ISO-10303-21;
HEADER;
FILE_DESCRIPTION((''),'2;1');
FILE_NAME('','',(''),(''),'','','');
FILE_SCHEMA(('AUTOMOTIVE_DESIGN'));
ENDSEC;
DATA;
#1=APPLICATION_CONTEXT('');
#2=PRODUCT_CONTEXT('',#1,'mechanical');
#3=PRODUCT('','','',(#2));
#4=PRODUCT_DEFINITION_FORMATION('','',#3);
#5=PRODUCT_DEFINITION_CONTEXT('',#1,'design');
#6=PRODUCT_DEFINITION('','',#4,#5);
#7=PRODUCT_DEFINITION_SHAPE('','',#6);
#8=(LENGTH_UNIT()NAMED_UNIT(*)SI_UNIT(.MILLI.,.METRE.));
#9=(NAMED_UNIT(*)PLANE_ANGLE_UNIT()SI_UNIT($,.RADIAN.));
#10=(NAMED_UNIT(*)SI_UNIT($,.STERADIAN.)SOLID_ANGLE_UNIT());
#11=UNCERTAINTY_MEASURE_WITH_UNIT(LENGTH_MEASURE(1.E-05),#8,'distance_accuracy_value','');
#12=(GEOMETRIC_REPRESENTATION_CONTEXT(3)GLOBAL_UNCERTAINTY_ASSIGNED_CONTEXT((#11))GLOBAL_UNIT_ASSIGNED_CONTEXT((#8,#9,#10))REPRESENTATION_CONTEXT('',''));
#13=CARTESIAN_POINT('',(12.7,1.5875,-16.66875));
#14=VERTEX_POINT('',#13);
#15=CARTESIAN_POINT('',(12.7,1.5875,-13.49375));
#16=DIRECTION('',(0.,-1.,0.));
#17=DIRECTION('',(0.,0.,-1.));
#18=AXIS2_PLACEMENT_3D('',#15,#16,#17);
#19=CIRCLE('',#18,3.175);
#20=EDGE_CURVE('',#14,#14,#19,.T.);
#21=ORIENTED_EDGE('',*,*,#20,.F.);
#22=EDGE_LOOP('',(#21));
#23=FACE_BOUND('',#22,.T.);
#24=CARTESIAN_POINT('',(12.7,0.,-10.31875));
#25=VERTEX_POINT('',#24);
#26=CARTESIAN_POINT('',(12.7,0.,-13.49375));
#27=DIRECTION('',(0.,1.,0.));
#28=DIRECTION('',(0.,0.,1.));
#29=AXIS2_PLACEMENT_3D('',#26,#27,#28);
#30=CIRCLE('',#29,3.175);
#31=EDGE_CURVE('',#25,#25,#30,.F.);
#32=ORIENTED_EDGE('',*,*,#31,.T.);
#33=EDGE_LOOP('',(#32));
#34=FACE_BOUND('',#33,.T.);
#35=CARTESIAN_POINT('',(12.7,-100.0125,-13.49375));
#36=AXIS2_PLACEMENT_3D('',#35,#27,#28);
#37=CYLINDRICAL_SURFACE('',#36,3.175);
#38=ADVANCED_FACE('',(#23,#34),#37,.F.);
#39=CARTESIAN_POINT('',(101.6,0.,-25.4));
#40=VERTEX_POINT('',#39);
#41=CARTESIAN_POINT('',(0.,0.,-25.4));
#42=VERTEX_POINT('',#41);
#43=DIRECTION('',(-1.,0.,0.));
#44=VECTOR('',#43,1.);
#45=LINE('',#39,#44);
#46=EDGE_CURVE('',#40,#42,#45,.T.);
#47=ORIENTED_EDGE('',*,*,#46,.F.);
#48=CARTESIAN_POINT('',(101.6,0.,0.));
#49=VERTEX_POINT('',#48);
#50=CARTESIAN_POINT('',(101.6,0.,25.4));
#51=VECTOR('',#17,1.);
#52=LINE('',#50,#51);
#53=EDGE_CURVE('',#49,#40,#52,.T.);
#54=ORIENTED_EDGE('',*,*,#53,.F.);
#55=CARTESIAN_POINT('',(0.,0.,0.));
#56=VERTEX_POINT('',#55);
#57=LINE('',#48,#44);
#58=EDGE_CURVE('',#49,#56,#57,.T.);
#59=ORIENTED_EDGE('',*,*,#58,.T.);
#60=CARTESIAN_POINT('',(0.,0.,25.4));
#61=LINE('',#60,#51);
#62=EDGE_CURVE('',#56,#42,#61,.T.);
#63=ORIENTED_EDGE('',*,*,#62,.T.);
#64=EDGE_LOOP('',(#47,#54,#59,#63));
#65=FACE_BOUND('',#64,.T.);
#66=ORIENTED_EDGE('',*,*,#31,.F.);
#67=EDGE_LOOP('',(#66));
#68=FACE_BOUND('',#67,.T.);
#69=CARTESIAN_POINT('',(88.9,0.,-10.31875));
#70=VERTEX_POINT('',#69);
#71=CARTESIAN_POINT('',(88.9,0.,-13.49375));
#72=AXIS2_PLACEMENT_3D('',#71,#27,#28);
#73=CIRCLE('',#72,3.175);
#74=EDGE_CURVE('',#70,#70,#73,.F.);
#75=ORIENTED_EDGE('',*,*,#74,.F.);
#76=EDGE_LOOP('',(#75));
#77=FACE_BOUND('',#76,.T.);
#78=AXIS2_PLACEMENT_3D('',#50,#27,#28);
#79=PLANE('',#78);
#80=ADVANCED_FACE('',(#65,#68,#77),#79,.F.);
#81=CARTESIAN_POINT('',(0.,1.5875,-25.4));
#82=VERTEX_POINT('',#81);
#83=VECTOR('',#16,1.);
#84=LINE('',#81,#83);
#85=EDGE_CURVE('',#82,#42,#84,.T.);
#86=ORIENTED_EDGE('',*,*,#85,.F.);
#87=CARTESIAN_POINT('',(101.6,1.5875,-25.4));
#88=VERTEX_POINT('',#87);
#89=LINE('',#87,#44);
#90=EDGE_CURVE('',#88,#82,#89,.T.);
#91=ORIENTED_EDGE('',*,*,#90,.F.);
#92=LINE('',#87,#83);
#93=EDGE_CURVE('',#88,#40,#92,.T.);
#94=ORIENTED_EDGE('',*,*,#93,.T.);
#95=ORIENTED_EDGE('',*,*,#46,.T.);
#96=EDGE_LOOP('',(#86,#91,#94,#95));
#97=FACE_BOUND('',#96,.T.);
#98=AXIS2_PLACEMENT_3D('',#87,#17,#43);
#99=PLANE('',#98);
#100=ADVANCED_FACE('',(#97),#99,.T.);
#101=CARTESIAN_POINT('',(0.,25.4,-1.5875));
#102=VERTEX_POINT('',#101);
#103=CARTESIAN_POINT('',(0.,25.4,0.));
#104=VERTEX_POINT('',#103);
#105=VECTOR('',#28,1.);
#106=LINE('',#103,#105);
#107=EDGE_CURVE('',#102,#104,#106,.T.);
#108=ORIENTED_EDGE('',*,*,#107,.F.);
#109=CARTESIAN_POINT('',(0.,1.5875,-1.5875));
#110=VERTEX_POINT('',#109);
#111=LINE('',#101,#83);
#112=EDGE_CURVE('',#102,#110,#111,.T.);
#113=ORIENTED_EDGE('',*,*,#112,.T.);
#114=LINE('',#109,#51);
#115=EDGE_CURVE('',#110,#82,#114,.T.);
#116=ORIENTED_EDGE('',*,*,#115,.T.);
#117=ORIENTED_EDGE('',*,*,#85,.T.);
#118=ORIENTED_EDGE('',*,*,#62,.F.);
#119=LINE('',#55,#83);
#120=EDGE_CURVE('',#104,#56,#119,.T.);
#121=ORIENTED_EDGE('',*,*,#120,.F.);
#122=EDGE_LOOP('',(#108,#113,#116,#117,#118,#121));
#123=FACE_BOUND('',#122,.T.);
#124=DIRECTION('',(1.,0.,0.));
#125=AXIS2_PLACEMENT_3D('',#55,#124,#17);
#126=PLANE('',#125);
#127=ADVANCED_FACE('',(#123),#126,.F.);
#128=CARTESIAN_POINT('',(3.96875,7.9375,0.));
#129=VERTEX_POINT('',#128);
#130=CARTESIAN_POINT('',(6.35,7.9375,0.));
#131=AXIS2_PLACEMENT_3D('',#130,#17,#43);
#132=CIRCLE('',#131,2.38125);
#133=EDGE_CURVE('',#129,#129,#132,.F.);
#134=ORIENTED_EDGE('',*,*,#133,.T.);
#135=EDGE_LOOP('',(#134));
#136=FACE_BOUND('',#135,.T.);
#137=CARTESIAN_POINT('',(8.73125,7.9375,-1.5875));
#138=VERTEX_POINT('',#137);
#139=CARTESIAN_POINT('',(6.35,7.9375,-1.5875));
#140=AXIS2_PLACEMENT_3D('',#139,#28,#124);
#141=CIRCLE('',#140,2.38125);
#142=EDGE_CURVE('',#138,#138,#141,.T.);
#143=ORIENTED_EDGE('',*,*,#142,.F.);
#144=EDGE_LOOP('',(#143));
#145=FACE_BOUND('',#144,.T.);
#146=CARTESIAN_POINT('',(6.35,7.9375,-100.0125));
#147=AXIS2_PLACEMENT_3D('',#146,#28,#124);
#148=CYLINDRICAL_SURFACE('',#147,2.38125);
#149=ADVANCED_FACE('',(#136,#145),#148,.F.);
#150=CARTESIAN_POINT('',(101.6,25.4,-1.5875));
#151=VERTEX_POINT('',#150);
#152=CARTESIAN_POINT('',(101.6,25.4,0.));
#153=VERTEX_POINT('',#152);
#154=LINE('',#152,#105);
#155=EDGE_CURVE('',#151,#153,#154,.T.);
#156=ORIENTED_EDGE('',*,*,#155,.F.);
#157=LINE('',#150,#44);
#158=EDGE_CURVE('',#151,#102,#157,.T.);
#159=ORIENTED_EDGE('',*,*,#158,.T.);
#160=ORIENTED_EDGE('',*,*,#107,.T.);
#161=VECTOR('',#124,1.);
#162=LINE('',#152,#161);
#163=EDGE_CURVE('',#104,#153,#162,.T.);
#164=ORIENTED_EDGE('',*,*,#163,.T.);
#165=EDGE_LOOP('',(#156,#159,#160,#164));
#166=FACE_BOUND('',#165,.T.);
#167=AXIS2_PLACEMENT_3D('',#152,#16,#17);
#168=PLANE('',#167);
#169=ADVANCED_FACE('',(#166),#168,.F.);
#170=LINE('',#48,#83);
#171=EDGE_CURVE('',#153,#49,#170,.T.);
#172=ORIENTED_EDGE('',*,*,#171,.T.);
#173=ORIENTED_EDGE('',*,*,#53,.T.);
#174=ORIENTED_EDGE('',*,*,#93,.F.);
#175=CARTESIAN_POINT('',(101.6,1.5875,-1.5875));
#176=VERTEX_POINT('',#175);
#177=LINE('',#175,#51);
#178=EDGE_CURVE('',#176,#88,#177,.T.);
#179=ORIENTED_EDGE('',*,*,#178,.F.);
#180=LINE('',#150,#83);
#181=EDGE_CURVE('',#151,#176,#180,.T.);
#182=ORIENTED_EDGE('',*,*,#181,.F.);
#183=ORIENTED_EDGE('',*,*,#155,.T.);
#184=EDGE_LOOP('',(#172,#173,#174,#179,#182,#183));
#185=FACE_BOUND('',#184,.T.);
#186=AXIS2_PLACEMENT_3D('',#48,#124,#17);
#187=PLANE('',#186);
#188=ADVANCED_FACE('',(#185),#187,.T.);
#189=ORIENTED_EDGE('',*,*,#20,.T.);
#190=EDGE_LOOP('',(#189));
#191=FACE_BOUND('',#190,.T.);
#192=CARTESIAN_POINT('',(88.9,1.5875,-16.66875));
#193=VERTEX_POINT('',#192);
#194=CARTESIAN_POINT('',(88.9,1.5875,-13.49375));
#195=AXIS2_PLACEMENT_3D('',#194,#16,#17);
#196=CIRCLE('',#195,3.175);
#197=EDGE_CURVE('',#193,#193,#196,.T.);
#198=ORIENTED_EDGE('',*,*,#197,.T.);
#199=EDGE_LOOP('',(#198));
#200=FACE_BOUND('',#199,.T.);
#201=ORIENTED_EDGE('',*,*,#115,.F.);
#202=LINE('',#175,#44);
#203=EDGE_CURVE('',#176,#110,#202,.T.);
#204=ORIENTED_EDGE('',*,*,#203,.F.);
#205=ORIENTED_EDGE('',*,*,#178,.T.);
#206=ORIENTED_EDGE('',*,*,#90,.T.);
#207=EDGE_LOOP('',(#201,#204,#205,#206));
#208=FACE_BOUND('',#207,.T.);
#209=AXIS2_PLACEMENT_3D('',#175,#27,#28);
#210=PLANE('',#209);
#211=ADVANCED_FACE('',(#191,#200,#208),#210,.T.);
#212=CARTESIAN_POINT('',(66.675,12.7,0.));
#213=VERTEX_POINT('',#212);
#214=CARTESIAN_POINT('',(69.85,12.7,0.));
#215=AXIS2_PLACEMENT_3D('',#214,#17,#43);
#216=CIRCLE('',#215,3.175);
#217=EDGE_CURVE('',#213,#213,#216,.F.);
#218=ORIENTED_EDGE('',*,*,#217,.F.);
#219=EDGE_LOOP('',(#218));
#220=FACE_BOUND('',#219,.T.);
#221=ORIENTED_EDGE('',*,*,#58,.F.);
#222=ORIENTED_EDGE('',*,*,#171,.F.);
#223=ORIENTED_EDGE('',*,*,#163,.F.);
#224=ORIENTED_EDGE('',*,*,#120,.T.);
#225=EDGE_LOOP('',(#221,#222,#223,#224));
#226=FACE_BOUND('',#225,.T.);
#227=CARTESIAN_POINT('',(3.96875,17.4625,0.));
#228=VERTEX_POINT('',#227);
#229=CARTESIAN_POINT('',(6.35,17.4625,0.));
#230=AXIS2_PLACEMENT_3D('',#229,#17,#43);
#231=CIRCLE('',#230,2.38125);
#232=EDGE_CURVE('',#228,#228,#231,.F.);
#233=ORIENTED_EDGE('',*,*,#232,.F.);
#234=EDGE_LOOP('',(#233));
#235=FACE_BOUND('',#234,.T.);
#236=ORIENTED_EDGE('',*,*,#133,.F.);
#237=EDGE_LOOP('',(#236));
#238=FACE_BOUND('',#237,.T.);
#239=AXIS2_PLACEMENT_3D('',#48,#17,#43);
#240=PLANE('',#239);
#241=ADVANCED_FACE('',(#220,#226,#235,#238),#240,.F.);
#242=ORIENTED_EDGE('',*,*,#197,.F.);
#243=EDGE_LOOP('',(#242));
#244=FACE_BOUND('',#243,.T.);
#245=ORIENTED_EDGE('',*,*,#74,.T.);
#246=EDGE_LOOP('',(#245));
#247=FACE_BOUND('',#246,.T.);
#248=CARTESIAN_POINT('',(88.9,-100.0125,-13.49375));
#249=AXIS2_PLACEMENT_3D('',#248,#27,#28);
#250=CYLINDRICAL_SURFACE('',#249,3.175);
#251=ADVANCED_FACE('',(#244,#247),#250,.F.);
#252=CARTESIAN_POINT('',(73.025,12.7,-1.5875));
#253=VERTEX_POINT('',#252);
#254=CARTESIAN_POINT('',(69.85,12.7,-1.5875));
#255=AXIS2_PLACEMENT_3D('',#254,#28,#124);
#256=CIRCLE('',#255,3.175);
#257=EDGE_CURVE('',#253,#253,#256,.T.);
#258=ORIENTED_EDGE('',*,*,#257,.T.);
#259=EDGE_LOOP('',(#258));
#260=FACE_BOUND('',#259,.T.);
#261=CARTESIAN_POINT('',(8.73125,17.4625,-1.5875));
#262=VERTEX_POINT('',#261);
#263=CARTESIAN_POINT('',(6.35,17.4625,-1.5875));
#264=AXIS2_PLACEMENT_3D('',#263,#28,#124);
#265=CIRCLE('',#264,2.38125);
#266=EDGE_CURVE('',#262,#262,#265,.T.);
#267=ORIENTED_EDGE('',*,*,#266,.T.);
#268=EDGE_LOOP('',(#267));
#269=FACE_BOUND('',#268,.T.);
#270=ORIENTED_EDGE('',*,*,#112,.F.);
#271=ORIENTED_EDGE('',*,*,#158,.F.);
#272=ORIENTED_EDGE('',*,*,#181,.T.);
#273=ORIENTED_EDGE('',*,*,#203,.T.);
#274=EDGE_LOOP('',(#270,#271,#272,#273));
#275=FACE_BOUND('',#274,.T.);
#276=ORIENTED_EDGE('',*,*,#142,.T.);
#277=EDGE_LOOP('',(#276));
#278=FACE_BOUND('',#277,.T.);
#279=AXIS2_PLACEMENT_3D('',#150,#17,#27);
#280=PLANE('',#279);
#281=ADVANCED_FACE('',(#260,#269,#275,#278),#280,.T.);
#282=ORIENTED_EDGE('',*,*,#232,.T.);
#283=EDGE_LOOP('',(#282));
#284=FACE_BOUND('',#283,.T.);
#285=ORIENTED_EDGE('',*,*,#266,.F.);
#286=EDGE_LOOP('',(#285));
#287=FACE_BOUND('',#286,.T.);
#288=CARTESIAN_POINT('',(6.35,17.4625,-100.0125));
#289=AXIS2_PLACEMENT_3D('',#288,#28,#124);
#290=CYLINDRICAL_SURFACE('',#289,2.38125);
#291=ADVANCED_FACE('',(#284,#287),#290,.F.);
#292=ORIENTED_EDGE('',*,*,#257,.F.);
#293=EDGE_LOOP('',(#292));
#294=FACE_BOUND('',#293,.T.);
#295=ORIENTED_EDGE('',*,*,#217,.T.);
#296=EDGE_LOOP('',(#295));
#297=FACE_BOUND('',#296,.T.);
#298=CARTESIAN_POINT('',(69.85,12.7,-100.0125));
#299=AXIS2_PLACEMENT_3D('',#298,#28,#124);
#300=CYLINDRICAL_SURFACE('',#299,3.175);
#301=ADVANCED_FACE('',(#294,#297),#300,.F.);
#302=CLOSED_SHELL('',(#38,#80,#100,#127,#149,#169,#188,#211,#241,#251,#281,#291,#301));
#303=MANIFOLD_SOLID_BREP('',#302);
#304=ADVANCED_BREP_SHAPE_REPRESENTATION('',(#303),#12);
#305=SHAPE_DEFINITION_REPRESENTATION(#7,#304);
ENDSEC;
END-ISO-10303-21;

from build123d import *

# Parameters (mm, degrees)
BOSS_EXTRUDE1_DEPTH = 101.6
SKETCH2_R           = 3.175
CUT_EXTRUDE1_DEPTH  = 101.6
SKETCH3_R           = 3.175
SKETCH3_R_2         = 2.38125
CUT_EXTRUDE2_DEPTH  = 101.6
SKETCH4_W           = 29.676804306
SKETCH4_H           = 30.942193328
CUT_EXTRUDE3_DEPTH  = 101.6


with BuildPart() as part:
    # Sketch1 → Boss-Extrude1 (new body)
    with BuildSketch(Plane(origin=(0, 0, 0), x_dir=(0, 0, -1), z_dir=(1, 0, 0))):
        Polygon((0, 0), (0, 25.4), (-1.5875, 25.4), (-1.5875, 1.5875), (-25.4, 1.5875), (-25.4, 0), align=None)
    boss_extrude1 = extrude(amount=BOSS_EXTRUDE1_DEPTH)

    # Sketch2 → Cut-Extrude1 (cut)
    with BuildSketch(Plane(origin=(0, 1.5875, 0), x_dir=(1, 0, 0), z_dir=(0, 1, 0))):
        with Locations((12.7, -13.49375)):
            Circle(SKETCH2_R)
        with Locations((88.9, -13.49375)):
            Circle(SKETCH2_R)
    cut_extrude1 = extrude(amount=-CUT_EXTRUDE1_DEPTH, mode=Mode.SUBTRACT)

    # Sketch3 → Cut-Extrude2 (cut)
    with BuildSketch(Plane.XY.offset(1.5875)):
        with Locations((69.85, 12.7)):
            Circle(SKETCH3_R)
        with Locations((6.35, 17.4625)):
            Circle(SKETCH3_R_2)
        with Locations((6.35, 7.9375)):
            Circle(SKETCH3_R_2)
    cut_extrude2 = extrude(amount=-CUT_EXTRUDE2_DEPTH, mode=Mode.SUBTRACT)

    # Mirror1: Boss-Extrude1, Cut-Extrude1, Cut-Extrude2 across plane
    add(boss_extrude1.mirror(Plane(origin=(101.6, 0, 0), x_dir=(1, 0, 0), z_dir=(0, 0, 1))))
    add(cut_extrude1.mirror(Plane(origin=(101.6, 0, 0), x_dir=(1, 0, 0), z_dir=(0, 0, 1))), mode=Mode.SUBTRACT)
    add(cut_extrude2.mirror(Plane(origin=(101.6, 0, 0), x_dir=(1, 0, 0), z_dir=(0, 0, 1))), mode=Mode.SUBTRACT)

    # Sketch4 → Cut-Extrude3 (cut)
    with BuildSketch(Plane.ZY):
        with Locations((14.838402153, 15.471096664)):
            Rectangle(SKETCH4_W, SKETCH4_H)
    extrude(amount=-CUT_EXTRUDE3_DEPTH, mode=Mode.SUBTRACT)


solid = part.part
